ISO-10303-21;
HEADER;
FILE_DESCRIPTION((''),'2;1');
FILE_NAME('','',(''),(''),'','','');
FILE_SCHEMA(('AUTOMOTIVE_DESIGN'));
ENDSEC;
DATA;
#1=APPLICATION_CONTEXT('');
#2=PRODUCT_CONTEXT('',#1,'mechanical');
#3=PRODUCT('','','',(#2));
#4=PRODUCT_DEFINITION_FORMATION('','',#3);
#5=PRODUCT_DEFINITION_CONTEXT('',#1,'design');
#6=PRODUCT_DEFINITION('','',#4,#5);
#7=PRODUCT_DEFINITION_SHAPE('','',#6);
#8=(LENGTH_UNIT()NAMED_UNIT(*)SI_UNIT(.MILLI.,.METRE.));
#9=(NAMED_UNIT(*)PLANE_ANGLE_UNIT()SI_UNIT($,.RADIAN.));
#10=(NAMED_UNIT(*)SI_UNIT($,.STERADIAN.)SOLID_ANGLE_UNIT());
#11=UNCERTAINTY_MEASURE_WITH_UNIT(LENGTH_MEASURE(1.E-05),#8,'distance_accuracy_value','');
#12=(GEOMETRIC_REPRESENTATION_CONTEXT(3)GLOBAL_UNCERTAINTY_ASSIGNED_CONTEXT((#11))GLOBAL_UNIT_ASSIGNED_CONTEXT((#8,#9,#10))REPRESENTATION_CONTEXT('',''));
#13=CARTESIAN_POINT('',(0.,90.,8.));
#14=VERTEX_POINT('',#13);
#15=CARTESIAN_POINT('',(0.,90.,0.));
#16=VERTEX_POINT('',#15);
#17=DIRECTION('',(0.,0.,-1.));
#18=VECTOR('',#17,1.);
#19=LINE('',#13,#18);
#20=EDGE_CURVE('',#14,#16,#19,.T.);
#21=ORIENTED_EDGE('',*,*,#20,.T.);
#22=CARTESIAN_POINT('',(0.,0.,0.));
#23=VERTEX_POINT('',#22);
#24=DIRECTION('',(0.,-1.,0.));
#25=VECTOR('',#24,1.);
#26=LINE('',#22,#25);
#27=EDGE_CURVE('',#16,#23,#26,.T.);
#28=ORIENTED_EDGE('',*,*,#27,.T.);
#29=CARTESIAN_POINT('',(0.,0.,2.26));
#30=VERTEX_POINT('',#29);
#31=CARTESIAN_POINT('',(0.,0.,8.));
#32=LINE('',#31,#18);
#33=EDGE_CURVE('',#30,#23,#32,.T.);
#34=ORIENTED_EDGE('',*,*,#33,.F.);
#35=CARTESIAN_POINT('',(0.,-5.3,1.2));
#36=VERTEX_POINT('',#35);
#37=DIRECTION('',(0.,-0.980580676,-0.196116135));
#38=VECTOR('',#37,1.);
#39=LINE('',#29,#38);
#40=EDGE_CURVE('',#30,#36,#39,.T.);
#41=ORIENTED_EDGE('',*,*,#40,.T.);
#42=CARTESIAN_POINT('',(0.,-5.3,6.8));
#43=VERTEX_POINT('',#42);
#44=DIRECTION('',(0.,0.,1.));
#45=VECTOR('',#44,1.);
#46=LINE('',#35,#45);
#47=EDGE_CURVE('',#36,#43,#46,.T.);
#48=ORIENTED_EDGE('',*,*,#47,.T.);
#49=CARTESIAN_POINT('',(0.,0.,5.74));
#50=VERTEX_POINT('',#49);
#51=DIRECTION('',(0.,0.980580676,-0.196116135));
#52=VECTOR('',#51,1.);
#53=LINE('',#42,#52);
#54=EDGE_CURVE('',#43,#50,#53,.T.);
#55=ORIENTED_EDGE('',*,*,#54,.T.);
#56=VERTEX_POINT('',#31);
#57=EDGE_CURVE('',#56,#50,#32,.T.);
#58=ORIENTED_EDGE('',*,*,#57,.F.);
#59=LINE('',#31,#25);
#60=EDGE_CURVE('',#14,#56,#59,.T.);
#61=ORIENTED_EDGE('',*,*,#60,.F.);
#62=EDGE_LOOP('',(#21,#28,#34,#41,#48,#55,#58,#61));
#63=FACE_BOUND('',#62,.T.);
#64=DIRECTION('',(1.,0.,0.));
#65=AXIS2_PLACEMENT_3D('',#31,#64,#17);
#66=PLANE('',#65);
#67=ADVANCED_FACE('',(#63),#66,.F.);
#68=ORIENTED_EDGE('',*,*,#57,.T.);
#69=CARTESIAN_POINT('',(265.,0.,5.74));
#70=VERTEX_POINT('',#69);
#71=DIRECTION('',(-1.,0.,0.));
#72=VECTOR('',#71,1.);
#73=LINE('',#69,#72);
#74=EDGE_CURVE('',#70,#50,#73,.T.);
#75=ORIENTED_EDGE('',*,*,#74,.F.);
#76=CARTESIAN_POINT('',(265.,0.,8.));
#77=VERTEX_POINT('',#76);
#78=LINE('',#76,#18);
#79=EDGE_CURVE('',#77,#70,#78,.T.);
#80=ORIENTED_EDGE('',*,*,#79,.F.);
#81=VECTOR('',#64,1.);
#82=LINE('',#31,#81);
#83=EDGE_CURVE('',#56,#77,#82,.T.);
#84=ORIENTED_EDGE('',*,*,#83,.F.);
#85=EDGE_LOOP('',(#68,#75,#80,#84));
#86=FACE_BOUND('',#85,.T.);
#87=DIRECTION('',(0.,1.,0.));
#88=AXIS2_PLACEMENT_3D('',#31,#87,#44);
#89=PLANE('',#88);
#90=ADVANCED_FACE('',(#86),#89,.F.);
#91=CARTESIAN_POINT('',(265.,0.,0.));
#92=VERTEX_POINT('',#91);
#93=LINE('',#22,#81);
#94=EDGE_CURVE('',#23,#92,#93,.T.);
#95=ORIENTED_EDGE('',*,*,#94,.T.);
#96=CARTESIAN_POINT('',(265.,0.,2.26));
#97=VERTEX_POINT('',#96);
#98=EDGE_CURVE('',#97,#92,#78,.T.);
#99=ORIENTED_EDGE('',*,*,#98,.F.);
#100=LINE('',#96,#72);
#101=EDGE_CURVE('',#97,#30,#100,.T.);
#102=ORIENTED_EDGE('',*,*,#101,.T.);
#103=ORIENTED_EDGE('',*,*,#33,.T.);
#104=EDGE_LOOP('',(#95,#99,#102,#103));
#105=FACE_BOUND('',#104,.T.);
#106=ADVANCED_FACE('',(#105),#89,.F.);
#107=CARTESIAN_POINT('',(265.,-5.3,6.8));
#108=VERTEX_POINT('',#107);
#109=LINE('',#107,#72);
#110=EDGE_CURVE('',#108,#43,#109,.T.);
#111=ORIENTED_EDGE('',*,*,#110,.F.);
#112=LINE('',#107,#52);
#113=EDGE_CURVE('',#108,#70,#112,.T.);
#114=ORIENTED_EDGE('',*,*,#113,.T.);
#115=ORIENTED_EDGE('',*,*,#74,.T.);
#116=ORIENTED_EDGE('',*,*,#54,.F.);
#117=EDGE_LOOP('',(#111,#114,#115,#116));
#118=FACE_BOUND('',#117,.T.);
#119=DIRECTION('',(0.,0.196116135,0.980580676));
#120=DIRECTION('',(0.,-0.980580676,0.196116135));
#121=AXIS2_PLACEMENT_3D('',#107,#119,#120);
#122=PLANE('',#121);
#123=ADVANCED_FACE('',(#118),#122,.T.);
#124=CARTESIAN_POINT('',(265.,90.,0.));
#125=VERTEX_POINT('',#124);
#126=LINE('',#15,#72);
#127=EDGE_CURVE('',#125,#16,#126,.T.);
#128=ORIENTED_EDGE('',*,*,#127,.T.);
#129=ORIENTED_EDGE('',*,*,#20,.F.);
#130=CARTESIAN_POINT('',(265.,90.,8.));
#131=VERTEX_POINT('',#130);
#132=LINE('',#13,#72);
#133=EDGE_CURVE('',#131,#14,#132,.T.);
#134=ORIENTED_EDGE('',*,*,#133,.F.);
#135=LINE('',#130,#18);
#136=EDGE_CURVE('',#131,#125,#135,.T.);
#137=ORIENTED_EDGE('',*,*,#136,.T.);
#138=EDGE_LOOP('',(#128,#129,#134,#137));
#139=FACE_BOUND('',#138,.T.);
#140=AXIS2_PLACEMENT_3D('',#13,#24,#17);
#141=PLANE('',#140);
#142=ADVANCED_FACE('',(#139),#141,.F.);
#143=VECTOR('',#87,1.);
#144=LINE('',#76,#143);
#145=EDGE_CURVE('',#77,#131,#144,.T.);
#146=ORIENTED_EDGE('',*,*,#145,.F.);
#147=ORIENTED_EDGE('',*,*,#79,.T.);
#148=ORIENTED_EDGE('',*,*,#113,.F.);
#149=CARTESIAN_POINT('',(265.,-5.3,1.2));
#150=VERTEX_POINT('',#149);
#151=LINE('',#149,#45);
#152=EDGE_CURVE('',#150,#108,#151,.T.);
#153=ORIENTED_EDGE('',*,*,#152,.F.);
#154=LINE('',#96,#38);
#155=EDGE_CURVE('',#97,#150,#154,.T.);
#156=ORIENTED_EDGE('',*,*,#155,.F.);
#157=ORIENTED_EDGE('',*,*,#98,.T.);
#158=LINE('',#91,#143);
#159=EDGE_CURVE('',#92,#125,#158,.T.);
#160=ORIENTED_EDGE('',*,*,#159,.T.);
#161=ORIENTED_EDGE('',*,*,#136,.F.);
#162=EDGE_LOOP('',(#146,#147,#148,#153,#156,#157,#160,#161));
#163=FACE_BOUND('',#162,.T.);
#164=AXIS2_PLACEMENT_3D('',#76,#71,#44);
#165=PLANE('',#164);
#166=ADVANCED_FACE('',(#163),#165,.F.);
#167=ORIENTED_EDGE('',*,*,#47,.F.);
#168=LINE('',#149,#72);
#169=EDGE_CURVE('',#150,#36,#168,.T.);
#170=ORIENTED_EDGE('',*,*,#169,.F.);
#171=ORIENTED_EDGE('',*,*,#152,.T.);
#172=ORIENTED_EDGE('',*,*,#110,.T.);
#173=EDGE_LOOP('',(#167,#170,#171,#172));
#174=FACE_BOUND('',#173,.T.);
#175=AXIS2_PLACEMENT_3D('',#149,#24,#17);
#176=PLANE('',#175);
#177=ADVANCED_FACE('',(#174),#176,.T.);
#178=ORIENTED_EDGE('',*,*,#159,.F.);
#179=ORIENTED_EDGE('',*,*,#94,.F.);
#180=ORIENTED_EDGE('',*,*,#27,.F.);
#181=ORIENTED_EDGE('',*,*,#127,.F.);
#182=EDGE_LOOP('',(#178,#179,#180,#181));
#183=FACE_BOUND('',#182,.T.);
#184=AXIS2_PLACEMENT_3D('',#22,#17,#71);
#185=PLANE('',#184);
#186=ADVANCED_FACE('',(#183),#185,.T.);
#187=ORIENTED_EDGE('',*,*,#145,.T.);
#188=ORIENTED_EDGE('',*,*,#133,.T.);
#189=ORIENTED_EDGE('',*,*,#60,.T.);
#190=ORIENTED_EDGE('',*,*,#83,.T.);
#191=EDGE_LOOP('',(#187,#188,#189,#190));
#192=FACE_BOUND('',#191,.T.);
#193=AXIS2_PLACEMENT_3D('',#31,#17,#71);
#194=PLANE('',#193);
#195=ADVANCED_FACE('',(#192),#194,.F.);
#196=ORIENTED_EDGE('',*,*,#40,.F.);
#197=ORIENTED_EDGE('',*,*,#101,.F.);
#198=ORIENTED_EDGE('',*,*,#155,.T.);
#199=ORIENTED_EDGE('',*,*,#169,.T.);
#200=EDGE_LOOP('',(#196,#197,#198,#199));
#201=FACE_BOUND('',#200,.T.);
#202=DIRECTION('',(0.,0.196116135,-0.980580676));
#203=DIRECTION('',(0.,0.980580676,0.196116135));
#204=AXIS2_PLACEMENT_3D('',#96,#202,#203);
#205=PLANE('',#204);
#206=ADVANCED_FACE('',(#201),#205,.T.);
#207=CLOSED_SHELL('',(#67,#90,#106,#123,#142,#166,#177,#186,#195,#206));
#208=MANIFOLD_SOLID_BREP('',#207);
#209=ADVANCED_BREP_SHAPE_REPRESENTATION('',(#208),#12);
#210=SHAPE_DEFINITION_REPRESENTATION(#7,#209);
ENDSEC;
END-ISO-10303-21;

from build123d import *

# Parameters (mm, degrees)
SKETCH1_W           = 265
SKETCH1_H           = 90
BOSS_EXTRUDE1_DEPTH = 8
BOSS_EXTRUDE3_DEPTH = 265


with BuildPart() as part:
    # Sketch1 → Boss-Extrude1 (new body)
    with BuildSketch(Plane.XY):
        with Locations((132.5, 45)):
            Rectangle(SKETCH1_W, SKETCH1_H)
    extrude(amount=BOSS_EXTRUDE1_DEPTH)

    # Sketch3 → Boss-Extrude3 (add, through all)
    with BuildSketch(Plane.ZY):
        Polygon((2.26, 0), (1.2, -5.3), (6.8, -5.3), (5.74, 0), align=None)
    extrude(amount=-BOSS_EXTRUDE3_DEPTH)


solid = part.part
